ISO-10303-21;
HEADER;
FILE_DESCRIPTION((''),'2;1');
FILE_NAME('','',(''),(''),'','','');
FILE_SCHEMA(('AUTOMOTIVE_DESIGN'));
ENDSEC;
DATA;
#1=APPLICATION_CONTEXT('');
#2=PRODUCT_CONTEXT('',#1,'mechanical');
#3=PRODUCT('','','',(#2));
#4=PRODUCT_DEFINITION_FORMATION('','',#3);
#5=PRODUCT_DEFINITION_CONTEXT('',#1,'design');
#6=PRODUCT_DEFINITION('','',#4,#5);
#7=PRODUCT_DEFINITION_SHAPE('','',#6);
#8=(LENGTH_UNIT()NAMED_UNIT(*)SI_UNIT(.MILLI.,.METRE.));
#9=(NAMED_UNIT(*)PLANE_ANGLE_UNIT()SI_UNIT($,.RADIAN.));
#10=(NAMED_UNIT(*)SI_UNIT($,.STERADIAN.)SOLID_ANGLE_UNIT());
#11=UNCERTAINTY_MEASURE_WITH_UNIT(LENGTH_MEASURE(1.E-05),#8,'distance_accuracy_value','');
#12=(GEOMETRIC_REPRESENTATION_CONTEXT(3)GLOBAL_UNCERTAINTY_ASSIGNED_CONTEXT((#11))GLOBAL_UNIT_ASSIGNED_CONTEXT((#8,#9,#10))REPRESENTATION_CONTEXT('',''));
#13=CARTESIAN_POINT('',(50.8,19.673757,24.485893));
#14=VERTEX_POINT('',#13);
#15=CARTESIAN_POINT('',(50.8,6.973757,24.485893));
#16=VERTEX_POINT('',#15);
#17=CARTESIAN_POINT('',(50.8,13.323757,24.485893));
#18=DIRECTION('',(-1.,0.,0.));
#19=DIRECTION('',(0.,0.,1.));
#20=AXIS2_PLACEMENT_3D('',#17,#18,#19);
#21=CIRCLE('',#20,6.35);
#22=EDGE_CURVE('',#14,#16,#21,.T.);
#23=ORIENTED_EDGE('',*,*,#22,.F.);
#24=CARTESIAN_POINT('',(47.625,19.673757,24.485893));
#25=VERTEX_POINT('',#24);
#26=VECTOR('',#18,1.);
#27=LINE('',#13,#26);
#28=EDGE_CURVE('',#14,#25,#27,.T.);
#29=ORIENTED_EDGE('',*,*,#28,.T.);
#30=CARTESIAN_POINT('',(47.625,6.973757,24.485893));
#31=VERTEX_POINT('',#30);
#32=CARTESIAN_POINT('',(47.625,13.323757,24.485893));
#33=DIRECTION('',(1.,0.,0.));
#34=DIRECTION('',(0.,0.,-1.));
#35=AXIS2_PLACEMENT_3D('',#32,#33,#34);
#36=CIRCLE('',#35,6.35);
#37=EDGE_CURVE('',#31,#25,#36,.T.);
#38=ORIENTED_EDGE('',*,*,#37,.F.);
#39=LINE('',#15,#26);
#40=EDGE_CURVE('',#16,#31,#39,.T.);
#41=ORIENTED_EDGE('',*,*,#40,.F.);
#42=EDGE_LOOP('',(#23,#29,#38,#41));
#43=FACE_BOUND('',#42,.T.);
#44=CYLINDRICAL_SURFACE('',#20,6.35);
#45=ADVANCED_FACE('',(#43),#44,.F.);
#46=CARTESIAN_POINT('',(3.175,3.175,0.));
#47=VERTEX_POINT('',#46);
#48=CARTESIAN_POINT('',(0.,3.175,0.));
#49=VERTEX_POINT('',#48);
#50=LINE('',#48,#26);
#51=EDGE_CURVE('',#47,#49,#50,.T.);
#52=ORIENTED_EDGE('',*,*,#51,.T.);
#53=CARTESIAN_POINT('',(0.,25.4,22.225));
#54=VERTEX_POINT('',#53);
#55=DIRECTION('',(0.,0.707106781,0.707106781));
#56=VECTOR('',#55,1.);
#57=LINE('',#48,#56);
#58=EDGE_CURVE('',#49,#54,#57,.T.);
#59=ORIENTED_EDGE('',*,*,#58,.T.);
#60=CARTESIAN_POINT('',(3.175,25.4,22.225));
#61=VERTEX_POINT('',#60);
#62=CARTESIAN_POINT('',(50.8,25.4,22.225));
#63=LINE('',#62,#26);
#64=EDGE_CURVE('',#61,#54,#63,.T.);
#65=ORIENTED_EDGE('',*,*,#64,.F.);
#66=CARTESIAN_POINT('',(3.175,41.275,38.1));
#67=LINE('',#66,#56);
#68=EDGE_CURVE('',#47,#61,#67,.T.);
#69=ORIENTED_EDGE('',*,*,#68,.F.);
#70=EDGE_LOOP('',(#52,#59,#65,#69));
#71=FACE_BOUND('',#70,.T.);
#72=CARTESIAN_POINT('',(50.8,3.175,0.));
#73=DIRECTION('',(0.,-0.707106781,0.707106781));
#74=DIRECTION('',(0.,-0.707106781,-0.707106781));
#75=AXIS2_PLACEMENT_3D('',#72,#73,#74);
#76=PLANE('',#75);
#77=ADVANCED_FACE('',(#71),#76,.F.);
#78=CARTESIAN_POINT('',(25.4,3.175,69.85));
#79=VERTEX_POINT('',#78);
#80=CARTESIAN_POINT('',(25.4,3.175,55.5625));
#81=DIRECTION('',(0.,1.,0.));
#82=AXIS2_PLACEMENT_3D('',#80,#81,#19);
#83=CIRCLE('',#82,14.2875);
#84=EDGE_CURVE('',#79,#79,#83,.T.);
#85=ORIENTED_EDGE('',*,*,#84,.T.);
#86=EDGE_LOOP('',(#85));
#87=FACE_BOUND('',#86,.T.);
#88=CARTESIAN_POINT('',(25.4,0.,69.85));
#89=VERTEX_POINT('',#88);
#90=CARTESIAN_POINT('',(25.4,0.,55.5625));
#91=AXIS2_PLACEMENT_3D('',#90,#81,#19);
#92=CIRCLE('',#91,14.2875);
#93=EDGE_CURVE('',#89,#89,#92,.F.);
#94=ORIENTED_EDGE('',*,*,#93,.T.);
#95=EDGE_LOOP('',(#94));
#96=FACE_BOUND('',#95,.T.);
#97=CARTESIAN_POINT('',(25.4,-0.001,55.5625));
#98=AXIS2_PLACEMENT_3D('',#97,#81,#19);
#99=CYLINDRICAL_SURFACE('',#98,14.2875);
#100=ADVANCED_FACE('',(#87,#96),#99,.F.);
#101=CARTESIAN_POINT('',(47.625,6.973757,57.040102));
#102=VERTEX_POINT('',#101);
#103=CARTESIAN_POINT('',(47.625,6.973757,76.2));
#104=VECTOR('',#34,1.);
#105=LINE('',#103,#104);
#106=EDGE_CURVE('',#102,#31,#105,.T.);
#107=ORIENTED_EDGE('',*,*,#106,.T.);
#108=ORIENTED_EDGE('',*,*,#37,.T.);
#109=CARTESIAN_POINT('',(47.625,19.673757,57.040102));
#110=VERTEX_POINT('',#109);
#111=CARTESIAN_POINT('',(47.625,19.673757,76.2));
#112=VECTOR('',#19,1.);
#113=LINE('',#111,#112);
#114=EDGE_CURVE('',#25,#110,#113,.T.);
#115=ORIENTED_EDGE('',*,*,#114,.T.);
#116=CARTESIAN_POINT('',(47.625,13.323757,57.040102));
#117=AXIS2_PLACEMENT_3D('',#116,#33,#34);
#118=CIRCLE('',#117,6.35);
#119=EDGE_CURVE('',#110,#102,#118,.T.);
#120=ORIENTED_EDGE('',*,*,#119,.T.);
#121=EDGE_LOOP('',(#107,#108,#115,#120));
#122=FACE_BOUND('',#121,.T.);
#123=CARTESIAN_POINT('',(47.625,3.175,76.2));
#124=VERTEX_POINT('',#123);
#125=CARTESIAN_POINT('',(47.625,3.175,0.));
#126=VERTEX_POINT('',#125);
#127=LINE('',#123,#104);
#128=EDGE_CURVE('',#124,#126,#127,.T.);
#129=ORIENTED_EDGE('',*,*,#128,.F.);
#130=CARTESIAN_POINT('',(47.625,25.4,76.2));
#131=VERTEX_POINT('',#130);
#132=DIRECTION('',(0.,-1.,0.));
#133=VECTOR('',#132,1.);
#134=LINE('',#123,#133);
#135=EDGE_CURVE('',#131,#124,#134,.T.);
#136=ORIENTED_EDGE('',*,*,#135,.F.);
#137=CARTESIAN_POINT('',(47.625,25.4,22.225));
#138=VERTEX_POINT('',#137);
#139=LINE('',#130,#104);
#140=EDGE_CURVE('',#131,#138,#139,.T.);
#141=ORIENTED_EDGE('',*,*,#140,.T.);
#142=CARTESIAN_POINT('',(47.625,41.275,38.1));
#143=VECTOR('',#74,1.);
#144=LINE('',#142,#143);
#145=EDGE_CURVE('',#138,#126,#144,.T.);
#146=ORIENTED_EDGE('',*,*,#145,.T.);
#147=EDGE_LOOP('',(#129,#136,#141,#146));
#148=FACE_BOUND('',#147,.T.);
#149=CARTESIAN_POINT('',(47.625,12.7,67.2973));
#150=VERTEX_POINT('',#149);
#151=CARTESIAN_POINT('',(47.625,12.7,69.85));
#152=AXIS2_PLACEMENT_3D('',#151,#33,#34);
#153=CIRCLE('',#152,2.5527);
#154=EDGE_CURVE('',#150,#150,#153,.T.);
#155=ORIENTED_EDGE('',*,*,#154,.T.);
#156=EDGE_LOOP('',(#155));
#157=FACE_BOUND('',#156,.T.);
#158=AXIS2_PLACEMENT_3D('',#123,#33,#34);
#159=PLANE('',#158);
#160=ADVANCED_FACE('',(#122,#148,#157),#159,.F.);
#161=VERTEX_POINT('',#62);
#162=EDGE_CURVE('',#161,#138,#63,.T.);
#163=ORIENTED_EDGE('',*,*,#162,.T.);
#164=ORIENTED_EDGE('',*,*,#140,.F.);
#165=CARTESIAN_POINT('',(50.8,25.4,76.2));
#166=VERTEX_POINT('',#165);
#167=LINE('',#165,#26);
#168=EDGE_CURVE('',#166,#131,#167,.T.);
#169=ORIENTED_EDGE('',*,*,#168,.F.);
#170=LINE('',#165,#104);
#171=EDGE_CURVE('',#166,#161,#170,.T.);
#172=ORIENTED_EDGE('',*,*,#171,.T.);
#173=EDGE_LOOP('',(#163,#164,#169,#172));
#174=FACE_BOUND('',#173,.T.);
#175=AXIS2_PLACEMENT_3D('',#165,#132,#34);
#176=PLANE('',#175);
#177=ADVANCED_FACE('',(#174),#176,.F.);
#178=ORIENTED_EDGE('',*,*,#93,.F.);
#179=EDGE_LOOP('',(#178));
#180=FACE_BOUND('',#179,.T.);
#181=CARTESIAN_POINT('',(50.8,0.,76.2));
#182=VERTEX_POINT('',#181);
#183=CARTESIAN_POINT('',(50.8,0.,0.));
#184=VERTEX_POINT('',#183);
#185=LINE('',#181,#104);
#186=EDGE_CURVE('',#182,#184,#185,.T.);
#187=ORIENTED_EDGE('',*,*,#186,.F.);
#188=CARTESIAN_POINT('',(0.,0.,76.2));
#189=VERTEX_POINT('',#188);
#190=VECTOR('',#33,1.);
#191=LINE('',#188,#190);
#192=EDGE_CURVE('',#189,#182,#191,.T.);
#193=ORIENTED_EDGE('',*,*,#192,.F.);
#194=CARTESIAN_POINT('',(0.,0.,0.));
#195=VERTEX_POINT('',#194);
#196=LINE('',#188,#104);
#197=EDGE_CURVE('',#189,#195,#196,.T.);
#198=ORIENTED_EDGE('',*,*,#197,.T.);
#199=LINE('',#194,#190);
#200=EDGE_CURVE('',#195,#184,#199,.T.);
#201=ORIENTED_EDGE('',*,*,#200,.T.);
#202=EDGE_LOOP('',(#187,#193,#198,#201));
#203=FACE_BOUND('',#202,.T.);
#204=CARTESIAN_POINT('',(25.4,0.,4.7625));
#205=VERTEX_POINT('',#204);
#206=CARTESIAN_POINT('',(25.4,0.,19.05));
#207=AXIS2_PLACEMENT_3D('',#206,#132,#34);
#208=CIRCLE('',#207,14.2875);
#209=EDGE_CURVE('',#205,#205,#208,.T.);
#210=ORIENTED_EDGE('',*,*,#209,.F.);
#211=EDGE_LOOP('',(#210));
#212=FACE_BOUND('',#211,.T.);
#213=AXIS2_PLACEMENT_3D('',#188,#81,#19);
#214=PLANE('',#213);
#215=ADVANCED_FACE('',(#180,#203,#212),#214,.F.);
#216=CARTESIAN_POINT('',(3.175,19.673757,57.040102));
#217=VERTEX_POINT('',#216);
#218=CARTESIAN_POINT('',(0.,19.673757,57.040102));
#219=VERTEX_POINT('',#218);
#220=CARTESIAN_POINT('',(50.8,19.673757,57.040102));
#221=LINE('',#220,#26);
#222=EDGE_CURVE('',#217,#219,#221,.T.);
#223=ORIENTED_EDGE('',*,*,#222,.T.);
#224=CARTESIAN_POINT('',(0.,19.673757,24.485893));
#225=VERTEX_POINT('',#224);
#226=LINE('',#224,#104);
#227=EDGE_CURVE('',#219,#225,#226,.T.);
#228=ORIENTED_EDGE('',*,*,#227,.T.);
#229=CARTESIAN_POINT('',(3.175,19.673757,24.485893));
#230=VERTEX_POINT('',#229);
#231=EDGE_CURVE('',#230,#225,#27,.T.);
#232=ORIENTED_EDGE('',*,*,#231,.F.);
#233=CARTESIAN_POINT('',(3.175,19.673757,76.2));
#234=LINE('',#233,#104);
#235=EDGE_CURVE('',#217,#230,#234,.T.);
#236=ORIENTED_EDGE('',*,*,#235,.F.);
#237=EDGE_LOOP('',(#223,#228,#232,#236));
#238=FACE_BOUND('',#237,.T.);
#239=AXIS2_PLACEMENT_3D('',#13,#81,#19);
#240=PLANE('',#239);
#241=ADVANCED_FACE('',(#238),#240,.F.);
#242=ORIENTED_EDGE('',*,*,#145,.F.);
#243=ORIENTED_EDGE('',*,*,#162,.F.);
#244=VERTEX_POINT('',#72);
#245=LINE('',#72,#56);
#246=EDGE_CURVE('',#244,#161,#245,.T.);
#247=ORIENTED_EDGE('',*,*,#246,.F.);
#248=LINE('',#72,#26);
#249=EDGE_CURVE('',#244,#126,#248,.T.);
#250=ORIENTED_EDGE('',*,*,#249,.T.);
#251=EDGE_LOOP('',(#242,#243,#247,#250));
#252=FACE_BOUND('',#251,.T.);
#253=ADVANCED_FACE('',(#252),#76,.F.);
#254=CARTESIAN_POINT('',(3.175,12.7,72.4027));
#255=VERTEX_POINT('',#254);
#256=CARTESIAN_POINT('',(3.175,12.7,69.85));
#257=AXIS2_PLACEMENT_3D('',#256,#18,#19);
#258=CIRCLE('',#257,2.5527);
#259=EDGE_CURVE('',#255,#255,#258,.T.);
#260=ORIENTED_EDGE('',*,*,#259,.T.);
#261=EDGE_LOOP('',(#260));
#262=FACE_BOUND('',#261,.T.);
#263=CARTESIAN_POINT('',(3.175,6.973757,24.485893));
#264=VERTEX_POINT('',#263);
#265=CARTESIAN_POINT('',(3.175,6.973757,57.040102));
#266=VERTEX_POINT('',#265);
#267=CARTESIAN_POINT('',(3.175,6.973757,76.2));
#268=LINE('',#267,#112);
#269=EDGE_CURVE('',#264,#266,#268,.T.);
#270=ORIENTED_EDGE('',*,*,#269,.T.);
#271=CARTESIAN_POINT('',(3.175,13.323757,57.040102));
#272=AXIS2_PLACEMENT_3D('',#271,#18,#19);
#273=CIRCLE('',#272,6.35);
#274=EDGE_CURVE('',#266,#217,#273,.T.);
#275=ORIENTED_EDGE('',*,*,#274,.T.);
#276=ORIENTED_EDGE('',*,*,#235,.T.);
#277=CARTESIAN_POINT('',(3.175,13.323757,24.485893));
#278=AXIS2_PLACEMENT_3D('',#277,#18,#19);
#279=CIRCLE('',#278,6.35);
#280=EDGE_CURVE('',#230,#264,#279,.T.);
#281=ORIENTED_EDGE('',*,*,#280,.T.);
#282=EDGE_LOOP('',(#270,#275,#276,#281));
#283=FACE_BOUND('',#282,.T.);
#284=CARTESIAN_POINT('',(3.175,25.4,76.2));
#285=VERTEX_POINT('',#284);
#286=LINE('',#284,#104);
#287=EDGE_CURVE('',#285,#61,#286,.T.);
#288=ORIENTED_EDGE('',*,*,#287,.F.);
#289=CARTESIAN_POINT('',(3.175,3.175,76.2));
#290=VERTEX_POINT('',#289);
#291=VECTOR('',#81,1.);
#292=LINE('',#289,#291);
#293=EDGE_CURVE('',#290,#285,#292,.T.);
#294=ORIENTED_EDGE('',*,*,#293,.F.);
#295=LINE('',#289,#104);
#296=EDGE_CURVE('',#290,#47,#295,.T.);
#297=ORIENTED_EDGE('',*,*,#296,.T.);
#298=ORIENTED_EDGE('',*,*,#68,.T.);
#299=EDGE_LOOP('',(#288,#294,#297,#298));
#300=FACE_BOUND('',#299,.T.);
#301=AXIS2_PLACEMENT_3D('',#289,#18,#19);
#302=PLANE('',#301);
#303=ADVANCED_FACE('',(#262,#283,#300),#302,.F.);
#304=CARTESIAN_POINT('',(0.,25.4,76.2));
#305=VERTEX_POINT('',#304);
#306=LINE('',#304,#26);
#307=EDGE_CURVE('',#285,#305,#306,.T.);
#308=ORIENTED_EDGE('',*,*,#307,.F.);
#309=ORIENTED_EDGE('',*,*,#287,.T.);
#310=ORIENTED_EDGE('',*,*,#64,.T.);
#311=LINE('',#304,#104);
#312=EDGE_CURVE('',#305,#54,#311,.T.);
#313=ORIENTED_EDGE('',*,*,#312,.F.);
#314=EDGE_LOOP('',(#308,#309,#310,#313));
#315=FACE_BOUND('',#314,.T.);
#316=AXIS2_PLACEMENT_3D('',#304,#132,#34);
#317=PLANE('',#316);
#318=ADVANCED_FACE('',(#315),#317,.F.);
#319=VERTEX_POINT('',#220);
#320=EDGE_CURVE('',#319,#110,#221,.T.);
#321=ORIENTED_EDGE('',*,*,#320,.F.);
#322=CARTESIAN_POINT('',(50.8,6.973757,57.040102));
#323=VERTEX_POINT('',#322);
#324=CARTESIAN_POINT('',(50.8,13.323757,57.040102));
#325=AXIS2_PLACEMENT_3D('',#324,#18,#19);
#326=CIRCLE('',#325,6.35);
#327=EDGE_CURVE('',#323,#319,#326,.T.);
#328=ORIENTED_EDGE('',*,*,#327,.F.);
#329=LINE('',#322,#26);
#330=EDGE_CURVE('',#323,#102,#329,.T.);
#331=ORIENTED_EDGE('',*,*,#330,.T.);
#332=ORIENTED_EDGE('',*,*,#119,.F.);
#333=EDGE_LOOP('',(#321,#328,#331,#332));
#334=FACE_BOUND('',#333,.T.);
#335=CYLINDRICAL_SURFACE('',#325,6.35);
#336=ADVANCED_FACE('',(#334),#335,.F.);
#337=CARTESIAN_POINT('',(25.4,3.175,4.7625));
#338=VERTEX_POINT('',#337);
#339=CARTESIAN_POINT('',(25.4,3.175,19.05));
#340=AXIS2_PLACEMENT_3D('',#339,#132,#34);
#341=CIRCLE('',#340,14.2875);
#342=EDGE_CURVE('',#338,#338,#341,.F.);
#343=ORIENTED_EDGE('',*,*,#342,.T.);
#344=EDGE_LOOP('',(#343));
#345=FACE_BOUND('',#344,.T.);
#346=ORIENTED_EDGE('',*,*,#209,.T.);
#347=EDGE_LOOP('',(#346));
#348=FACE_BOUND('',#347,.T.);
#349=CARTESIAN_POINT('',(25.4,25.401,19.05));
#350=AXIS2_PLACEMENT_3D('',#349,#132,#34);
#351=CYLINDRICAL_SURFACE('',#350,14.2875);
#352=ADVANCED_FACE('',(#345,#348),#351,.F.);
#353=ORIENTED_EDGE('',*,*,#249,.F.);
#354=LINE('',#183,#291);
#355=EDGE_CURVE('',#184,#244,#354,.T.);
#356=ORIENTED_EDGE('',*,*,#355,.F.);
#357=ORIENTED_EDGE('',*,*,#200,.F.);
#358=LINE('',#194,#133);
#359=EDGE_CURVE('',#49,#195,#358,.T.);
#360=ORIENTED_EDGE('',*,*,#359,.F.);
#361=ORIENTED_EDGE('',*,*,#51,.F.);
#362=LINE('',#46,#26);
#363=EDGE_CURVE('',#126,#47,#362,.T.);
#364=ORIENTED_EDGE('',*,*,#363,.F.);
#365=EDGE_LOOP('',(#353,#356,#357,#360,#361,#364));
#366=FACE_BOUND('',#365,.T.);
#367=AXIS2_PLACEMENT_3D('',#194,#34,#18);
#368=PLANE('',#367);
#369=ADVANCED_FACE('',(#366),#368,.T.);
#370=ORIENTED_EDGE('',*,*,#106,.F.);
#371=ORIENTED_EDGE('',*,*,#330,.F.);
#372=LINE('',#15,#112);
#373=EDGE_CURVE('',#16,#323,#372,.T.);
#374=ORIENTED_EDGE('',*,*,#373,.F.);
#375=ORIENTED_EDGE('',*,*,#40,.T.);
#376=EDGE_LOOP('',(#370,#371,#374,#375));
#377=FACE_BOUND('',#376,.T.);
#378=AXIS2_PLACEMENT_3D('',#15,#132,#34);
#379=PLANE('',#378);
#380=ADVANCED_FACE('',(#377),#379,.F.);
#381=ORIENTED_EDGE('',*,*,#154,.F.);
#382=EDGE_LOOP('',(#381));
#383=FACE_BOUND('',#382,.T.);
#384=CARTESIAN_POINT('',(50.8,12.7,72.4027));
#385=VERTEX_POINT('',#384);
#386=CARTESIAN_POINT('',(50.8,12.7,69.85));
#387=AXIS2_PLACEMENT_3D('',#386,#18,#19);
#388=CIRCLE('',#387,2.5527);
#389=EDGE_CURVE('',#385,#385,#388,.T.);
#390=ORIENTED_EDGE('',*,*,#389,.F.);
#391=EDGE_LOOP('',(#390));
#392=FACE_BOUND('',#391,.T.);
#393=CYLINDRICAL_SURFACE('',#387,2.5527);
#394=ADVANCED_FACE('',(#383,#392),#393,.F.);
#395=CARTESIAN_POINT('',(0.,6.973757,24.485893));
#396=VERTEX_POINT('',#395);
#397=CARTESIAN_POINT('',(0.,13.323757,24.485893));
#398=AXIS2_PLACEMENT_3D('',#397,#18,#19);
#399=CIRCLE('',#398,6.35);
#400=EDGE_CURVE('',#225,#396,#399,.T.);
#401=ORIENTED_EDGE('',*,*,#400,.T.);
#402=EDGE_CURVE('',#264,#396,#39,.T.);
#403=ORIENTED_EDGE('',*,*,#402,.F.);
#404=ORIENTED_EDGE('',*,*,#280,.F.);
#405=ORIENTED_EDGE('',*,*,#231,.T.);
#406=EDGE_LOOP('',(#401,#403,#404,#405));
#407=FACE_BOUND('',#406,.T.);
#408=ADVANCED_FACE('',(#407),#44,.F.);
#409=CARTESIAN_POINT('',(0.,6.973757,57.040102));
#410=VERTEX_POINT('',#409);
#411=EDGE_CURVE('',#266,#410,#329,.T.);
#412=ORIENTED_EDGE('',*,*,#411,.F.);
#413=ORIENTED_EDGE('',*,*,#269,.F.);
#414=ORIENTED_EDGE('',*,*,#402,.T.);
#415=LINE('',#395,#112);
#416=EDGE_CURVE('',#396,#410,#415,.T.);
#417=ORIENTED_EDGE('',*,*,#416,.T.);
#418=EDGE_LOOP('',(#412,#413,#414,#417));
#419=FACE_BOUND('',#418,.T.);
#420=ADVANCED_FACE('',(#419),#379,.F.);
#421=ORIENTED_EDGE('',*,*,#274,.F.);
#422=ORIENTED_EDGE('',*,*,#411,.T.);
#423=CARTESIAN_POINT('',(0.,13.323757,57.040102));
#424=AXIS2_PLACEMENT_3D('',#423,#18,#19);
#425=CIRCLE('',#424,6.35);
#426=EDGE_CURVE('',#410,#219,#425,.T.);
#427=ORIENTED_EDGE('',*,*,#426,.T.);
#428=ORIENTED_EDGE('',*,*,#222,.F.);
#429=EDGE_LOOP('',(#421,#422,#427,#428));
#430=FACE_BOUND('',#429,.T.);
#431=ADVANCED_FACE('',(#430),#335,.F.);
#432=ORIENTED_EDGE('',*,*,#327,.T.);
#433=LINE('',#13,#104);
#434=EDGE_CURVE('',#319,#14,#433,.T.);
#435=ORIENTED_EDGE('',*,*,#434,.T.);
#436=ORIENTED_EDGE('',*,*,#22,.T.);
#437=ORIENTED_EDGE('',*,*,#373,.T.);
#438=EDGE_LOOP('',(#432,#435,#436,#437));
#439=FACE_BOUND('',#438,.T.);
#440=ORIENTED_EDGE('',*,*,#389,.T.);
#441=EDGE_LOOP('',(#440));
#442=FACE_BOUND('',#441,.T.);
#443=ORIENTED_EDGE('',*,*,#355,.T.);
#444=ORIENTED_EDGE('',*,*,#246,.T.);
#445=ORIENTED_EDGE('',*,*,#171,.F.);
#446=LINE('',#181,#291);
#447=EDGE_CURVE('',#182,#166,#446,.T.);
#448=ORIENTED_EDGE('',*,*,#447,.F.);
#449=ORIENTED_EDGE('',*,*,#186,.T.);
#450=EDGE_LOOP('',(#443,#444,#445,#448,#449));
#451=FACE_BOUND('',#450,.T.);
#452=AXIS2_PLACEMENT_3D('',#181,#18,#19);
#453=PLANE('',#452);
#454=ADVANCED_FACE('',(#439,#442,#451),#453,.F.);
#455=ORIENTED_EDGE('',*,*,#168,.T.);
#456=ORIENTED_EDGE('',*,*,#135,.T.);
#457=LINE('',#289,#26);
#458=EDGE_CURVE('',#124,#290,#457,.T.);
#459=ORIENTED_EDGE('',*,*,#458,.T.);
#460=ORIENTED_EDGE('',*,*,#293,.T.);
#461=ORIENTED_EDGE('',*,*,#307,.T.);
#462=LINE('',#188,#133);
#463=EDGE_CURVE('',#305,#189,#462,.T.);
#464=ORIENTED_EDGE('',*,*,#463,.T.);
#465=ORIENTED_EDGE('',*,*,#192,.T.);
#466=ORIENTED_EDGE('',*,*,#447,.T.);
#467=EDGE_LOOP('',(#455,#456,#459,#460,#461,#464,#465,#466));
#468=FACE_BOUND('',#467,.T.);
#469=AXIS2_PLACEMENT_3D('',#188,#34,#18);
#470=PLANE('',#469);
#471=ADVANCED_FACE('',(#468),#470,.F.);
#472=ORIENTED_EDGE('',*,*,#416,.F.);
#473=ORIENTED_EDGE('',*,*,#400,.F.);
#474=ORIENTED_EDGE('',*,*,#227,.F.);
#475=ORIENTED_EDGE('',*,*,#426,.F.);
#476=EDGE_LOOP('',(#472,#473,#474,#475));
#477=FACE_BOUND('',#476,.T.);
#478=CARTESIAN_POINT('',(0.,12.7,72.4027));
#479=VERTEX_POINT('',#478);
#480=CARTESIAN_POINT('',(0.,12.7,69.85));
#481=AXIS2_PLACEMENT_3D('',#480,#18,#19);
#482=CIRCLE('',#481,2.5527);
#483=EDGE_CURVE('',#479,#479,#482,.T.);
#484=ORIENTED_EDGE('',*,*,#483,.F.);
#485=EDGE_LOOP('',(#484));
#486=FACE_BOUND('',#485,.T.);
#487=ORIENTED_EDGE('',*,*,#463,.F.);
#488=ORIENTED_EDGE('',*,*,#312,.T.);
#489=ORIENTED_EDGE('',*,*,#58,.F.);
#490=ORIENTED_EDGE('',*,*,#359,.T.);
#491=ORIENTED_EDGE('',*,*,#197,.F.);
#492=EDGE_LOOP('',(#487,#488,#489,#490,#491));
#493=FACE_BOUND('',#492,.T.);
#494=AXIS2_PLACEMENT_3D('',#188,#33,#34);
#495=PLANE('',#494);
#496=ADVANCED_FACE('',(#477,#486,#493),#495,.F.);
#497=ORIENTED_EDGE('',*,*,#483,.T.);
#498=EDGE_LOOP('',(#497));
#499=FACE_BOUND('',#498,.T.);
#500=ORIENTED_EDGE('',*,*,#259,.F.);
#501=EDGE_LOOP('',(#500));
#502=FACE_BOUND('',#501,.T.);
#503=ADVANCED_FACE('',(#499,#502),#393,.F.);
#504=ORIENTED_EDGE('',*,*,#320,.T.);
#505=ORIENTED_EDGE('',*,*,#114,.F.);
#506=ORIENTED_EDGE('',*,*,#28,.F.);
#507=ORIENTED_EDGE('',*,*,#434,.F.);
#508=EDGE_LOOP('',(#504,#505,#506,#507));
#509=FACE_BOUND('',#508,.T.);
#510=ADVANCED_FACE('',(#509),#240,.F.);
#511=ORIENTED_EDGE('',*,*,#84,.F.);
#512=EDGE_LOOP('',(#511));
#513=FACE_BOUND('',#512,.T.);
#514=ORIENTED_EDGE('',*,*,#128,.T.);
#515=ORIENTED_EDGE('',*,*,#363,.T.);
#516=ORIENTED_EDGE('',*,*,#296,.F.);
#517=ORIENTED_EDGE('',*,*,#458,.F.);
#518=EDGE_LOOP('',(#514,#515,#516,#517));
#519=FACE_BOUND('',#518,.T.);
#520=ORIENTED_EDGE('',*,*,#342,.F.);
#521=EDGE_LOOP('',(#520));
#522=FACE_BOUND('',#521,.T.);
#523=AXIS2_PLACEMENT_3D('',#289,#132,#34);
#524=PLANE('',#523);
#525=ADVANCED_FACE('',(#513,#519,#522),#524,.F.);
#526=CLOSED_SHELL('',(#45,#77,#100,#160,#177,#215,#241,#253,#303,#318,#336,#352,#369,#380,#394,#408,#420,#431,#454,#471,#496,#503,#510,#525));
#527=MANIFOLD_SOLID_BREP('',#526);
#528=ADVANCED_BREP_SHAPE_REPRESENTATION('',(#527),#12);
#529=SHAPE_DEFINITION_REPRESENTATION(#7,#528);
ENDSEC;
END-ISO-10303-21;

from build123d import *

# Parameters (mm, degrees)
BOSS_EXTRUDE1_DEPTH     = 76.2
CUT_EXTRUDE1_REACH      = 27.4
SKETCH2_R               = 14.2875
SKETCH3_R               = 2.5527
CUT_EXTRUDE2_DEPTH      = 51.8
CUT_EXTRUDE3_DEPTH      = 48.625
CUT_EXTRUDE3_DEPTH_BACK = 4.175
CUT_EXTRUDE4_REACH      = 5.175
SKETCH5_R               = 14.2875
CUT_EXTRUDE5_DEPTH      = 48.625
CUT_EXTRUDE5_DEPTH_BACK = 4.175


with BuildPart() as part:
    # Sketch1 → Boss-Extrude1 (new body)
    with BuildSketch(Plane.XY):
        Polygon((3.175, 3.175), (3.175, 25.4), (0, 25.4), (0, 0), (50.8, 0), (50.8, 25.4), (47.625, 25.4), (47.625, 3.175), align=None)
    extrude(amount=BOSS_EXTRUDE1_DEPTH)

    # Sketch2 → Cut-Extrude1 (cut, up to next)
    with BuildSketch(Plane.XZ, mode=Mode.PRIVATE) as cut_extrude1_sk1:
        with Locations((25.4, 19.05)):
            Circle(SKETCH2_R)
    cut_extrude1_tool1 = extrude(cut_extrude1_sk1.sketch, amount=-CUT_EXTRUDE1_REACH, mode=Mode.PRIVATE) & part.part
    add(cut_extrude1_tool1.solids().sort_by_distance((25.4, 0, 19.05))[0], mode=Mode.SUBTRACT)

    # Sketch3 → Cut-Extrude2 (cut, through all)
    with BuildSketch(Plane.ZY):
        with Locations((69.85, 12.7)):
            Circle(SKETCH3_R)
    extrude(amount=-CUT_EXTRUDE2_DEPTH, mode=Mode.SUBTRACT)

    # Sketch4 → Cut-Extrude3 (cut, two sides)
    with BuildSketch(Plane.ZY.offset(-47.625)) as cut_extrude3_sk:
        Polygon((0, 3.175), (22.225, 25.4), (0, 25.4), align=None)
    extrude(amount=CUT_EXTRUDE3_DEPTH, mode=Mode.SUBTRACT)
    extrude(cut_extrude3_sk.sketch, amount=-CUT_EXTRUDE3_DEPTH_BACK, mode=Mode.SUBTRACT)

    # Sketch5 → Cut-Extrude4 (cut, up to next)
    with BuildSketch(Plane(origin=(0, 3.175, 0), x_dir=(1, 0, 0), z_dir=(0, 1, 0)), mode=Mode.PRIVATE) as cut_extrude4_sk1:
        with Locations((25.4, -55.5625)):
            Circle(SKETCH5_R)
    cut_extrude4_tool1 = extrude(cut_extrude4_sk1.sketch, amount=-CUT_EXTRUDE4_REACH, mode=Mode.PRIVATE) & part.part
    add(cut_extrude4_tool1.solids().sort_by_distance((25.4, 3.175, 55.5625))[0], mode=Mode.SUBTRACT)

    # Sketch6 → Cut-Extrude5 (cut, two sides)
    with BuildSketch(Plane.ZY.offset(-47.625)) as cut_extrude5_sk:
        with BuildLine():
            Line((24.485892943, 19.673757433), (57.04010233, 19.673757433))
            ThreePointArc((57.04010233, 19.673757433), (63.39010233, 13.323757433), (57.04010233, 6.973757433))
            Line((57.04010233, 6.973757433), (24.485892943, 6.973757433))
            ThreePointArc((24.485892943, 6.973757433), (18.135892943, 13.323757433), (24.485892943, 19.673757433))
        make_face()
    extrude(amount=CUT_EXTRUDE5_DEPTH, mode=Mode.SUBTRACT)
    extrude(cut_extrude5_sk.sketch, amount=-CUT_EXTRUDE5_DEPTH_BACK, mode=Mode.SUBTRACT)


solid = part.part
